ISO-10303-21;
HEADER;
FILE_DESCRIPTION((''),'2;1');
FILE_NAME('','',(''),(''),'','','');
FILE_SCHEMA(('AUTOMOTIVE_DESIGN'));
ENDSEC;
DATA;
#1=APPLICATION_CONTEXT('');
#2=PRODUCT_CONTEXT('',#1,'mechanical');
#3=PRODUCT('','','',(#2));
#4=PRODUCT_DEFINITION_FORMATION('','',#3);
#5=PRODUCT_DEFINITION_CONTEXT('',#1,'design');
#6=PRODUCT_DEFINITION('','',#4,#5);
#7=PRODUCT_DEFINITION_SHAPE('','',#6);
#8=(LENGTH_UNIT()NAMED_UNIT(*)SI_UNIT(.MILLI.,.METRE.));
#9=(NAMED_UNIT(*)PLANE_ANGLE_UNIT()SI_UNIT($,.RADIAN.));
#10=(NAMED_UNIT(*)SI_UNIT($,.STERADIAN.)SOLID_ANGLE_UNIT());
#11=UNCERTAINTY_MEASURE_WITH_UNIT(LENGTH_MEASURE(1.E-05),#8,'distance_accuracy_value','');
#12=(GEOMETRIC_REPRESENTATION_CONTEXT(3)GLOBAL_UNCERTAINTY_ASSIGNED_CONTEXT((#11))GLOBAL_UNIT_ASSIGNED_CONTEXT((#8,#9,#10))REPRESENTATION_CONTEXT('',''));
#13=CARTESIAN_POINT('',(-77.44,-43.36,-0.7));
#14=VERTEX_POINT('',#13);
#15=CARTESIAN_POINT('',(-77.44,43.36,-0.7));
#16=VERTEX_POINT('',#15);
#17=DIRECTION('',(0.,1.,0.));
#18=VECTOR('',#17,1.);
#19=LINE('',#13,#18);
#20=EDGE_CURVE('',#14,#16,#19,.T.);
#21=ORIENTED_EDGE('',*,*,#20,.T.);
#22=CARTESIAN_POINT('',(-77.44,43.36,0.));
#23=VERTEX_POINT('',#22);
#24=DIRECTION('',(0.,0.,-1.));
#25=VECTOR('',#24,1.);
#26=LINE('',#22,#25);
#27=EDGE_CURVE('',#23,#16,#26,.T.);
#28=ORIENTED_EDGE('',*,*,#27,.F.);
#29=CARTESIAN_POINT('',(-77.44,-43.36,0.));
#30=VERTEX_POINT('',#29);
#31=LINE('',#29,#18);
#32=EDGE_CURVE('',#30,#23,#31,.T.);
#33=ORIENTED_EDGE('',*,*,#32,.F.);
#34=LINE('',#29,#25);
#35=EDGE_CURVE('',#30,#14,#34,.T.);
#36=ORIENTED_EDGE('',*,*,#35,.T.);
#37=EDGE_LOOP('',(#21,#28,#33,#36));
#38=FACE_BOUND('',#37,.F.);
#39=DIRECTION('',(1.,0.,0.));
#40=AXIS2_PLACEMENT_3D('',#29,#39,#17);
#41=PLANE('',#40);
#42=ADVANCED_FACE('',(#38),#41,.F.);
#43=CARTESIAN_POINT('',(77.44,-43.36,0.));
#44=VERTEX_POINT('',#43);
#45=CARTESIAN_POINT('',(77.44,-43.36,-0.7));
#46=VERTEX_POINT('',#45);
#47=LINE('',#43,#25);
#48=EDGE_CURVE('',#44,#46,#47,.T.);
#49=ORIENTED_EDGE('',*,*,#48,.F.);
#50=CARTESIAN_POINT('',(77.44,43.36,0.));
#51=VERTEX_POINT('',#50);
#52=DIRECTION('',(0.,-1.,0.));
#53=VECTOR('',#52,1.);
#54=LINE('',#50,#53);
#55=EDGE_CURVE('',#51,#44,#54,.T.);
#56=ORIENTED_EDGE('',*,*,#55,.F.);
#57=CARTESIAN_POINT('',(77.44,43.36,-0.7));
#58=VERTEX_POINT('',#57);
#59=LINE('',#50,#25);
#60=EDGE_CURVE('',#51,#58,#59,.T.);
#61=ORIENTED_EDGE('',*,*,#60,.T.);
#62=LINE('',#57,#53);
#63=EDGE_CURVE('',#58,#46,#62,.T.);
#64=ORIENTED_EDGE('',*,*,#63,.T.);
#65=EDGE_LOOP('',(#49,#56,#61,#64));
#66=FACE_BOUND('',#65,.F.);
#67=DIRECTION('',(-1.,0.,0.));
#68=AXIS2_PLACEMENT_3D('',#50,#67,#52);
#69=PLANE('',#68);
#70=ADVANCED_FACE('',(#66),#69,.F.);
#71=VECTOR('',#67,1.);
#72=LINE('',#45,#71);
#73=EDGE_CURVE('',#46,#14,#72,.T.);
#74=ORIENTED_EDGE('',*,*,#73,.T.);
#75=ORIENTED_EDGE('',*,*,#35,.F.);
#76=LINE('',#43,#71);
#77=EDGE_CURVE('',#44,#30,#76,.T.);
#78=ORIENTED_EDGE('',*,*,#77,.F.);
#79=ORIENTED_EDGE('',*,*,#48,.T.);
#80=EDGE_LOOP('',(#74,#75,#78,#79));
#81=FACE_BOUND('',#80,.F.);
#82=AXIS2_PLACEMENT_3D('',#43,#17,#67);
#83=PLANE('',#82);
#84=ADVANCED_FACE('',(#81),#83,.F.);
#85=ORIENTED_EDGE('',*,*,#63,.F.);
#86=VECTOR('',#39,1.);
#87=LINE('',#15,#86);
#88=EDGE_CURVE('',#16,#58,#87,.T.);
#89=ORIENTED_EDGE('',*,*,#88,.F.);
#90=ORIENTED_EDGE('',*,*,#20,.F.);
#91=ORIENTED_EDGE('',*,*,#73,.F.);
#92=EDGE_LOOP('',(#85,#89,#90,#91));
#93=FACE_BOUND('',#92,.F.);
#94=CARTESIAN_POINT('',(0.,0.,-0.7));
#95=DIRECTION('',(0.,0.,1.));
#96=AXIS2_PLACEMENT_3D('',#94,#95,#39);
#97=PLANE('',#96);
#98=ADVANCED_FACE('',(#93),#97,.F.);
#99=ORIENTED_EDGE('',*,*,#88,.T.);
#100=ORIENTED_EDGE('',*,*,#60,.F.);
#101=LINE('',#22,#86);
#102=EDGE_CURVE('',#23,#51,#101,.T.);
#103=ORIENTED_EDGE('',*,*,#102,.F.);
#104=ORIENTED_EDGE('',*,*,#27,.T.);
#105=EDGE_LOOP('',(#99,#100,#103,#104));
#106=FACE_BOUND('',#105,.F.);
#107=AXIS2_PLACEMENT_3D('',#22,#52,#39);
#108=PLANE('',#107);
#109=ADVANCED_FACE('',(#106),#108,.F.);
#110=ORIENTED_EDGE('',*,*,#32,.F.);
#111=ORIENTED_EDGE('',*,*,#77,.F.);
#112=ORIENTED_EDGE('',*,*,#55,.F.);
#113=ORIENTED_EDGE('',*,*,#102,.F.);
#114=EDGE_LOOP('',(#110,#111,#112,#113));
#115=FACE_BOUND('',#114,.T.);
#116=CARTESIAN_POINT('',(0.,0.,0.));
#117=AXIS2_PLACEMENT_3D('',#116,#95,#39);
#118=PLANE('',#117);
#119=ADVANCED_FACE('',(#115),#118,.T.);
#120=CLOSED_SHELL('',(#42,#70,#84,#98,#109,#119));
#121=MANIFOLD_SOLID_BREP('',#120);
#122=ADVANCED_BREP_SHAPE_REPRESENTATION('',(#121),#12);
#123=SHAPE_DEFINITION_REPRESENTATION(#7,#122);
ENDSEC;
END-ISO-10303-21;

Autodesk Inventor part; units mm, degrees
ref_plane "YZ Plane" through (0, 0, 0) normal (1, 0, 0) x (0, 1, 0)
ref_plane "XZ Plane" through (0, 0, 0) normal (0, 1, 0) x (-1, 0, 0)
ref_plane "XY Plane" through (0, 0, 0) normal (0, 0, 1) x (1, 0, 0)
sketch "Skizze1" plane through (0, 0, 0) normal (0, 0, 1) x (1, 0, 0)
  line L0 (-77.44, 43.36) -> (77.44, 43.36)
  line L1 (77.44, 43.36) -> (77.44, -43.36)
  line L2 (77.44, -43.36) -> (-77.44, -43.36)
  line L3 (-77.44, -43.36) -> (-77.44, 43.36)
  line L4 (-77.44, 43.36) -> (77.44, 43.36)
  line L5 (77.44, 43.36) -> (77.44, -43.36)
  line L6 (77.44, -43.36) -> (-77.44, -43.36)
  line L7 (-77.44, -43.36) -> (-77.44, 43.36)
  line L8 (-77.44, 43.36) -> (77.44, 43.36)
  line L9 (77.44, 43.36) -> (77.44, -43.36)
  line L10 (77.44, -43.36) -> (-77.44, -43.36)
  line L11 (-77.44, -43.36) -> (-77.44, 43.36)
  point P0 (0, 0)
  point P1 (0, 0)
  point P2 (77.44, 0)
  point P3 (0, 43.36)
  point P4 (0, 0)
  point P5 (77.44, 0)
  point P6 (0, 43.36)
  point P7 (0, 0)
  point P8 (77.44, 0)
  point P9 (0, 43.36)
  dimension "d0" = 154.88
  dimension "d1" = 86.72
  dimension "d2" = 154.88
  dimension "d3" = 86.72
  dimension "d4" = 154.88
  dimension "d5" = 86.72
extrude "Extrusion1" add sketch "Skizze1" against normal blind 0.7
properties part number "Display Glass" material "Glas"
